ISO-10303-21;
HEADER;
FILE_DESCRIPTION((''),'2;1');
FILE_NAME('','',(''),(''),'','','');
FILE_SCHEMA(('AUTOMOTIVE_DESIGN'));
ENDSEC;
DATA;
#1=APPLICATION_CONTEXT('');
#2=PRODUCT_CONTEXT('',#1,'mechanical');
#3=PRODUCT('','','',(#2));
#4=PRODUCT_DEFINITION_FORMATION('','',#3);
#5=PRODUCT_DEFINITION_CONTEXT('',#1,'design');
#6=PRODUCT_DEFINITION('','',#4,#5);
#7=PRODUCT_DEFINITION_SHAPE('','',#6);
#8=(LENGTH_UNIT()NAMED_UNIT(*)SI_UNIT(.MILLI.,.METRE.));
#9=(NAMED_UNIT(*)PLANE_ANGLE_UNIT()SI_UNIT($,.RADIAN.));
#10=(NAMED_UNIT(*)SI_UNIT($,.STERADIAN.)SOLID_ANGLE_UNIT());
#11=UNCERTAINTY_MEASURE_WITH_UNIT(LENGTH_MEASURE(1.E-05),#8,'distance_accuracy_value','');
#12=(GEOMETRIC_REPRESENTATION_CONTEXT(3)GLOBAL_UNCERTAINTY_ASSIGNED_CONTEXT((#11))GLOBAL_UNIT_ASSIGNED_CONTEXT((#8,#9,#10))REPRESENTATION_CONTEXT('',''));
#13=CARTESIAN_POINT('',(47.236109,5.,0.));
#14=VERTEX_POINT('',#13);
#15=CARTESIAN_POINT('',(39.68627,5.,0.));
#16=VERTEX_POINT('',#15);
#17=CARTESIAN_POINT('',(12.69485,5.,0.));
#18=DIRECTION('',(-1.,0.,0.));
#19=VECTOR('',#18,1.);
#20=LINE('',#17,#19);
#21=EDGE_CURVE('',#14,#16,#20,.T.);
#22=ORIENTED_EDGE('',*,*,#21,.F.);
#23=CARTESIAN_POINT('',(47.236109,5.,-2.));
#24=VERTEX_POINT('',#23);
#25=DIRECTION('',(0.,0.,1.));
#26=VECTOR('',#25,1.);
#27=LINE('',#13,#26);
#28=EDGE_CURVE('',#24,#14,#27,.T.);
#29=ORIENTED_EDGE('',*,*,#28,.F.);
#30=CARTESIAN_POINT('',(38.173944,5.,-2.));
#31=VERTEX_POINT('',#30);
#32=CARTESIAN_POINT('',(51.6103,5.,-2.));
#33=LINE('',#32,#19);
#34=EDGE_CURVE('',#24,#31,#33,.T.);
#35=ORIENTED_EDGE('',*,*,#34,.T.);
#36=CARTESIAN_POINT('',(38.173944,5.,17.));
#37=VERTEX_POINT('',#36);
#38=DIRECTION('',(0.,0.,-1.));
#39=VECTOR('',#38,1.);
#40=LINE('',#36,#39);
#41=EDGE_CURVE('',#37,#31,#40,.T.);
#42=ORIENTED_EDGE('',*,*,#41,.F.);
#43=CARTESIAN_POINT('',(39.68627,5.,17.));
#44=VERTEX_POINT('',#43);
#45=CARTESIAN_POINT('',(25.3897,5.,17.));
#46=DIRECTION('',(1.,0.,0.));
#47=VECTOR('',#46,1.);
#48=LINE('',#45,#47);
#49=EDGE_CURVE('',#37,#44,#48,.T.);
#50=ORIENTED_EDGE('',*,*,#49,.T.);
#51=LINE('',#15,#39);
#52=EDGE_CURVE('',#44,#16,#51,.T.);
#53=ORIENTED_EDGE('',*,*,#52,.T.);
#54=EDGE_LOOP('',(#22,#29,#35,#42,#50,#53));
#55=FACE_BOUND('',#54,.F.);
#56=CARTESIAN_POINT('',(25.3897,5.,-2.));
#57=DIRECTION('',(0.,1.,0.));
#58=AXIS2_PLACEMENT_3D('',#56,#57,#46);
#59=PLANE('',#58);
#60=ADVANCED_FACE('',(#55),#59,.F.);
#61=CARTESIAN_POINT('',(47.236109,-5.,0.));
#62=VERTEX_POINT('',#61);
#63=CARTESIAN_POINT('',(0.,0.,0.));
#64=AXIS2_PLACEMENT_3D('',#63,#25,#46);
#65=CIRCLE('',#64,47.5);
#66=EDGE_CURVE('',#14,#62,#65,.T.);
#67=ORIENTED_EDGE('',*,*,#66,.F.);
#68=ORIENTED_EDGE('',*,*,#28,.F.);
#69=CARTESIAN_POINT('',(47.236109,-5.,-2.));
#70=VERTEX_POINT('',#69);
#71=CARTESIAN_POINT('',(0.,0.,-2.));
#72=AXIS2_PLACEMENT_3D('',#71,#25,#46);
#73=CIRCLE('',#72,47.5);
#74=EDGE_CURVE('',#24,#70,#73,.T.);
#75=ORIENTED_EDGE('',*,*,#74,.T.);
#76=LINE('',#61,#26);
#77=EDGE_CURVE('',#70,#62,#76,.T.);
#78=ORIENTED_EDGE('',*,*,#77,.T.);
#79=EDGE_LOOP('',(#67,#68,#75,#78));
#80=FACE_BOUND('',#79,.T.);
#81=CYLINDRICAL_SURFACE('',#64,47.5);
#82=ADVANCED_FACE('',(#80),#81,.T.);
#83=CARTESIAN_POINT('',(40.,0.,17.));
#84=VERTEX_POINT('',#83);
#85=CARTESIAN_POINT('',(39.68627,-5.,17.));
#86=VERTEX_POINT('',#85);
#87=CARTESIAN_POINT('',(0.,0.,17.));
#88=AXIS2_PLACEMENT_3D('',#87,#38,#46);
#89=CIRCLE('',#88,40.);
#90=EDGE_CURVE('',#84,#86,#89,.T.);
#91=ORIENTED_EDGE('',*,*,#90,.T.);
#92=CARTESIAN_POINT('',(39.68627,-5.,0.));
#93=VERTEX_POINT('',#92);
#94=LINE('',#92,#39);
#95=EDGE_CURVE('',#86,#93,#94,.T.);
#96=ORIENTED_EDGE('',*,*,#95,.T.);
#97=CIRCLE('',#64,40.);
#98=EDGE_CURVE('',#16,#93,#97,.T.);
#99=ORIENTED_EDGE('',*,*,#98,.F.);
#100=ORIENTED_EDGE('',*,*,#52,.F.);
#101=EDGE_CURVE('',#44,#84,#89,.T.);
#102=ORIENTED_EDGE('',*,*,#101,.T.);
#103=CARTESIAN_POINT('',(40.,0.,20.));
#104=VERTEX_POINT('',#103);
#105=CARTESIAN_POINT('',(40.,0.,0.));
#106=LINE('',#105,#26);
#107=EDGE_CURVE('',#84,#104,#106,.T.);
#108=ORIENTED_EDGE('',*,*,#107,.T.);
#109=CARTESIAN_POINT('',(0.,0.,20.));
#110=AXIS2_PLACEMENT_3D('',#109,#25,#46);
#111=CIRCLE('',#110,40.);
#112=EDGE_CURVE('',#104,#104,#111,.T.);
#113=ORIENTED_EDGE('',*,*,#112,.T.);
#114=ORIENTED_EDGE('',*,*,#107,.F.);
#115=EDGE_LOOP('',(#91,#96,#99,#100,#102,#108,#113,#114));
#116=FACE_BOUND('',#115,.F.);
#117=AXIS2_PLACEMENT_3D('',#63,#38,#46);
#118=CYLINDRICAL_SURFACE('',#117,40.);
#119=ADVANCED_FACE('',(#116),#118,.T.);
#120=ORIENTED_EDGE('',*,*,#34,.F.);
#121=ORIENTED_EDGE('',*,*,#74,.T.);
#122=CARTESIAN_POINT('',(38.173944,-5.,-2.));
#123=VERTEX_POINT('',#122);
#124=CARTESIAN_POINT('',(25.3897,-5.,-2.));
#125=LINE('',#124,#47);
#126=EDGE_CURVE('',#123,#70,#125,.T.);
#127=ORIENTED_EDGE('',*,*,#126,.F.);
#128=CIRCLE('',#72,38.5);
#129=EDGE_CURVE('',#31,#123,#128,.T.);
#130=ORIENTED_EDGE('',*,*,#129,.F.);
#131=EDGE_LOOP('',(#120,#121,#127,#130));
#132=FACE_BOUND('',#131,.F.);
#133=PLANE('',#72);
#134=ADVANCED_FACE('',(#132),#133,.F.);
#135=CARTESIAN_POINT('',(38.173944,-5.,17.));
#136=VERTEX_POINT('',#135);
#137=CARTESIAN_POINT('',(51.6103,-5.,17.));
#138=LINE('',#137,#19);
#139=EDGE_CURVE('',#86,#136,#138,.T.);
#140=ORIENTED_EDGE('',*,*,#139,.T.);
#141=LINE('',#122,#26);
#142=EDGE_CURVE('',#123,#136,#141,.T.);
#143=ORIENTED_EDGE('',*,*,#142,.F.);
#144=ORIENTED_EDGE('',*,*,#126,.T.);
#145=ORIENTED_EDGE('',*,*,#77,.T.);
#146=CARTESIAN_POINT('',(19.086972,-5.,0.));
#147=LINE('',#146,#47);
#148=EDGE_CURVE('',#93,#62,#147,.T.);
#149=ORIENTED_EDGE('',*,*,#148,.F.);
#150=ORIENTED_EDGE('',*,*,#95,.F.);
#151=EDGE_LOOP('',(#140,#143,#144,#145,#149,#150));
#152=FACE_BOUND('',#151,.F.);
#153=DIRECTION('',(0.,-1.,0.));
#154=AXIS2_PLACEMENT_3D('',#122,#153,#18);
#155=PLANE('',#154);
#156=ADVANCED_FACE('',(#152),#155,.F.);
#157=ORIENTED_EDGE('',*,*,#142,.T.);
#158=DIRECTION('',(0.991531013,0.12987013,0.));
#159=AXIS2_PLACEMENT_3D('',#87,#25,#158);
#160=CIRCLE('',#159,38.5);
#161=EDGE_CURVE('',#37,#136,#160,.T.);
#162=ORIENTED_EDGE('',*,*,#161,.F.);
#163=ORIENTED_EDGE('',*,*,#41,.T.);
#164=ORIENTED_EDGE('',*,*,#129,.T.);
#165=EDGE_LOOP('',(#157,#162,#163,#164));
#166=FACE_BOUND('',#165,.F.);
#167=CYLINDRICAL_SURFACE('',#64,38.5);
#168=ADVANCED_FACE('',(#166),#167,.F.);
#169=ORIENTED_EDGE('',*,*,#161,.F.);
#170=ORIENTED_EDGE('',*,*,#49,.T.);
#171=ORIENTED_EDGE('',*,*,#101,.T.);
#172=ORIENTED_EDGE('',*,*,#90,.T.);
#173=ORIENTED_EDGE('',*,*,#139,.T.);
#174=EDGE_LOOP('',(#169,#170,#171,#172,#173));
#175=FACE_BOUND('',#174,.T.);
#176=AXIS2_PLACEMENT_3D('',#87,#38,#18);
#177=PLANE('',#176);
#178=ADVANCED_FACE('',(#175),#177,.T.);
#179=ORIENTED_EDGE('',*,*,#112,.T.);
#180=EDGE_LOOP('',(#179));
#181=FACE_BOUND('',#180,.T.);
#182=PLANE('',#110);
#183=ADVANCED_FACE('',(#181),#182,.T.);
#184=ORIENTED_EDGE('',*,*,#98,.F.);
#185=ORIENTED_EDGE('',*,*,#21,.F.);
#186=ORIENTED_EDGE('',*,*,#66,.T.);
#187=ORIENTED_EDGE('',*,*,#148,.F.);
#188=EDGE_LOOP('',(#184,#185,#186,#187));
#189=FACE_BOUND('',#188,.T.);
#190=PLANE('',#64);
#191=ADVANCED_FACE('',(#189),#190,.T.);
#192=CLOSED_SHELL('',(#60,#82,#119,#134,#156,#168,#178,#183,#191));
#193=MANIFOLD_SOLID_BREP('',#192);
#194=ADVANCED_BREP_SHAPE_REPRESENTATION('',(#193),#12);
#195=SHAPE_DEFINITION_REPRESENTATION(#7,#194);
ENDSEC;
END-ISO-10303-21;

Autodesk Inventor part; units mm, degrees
ref_plane "YZ Plane" through (0, 0, 0) normal (1, 0, 0) x (0, 1, 0)
ref_plane "XZ Plane" through (0, 0, 0) normal (0, 1, 0) x (-1, 0, 0)
ref_plane "XY Plane" through (0, 0, 0) normal (0, 0, 1) x (1, 0, 0)
sketch "스케치1" plane through (0, 0, 0) normal (0, 0, 1) x (1, 0, 0)
  circle A0 centre (0, 0) radius 38.5
  circle A1 centre (0, 0) radius 40
  dimension "d0" = 77
  dimension "d1" = 80
extrude "돌출1" add sketch "스케치1" along normal blind 20 contours A0 | A1
sketch "스케치2" plane through (0, 0, 0) normal (0, 0, -1) x (-1, 0, 0)
  circle A0 centre (0, 0) radius 38.5
  circle A1 centre (0, 0) radius 38.5
  dimension "d4" = 77
  dimension "d7" = 77
extrude "돌출2" cut sketch "스케치2" against normal blind 17
sketch "스케치3" plane through (0, 0, 0) normal (0, 0, 1) x (1, 0, 0)
  circle A0 centre (0, 0) radius 38.5
  circle A1 centre (0, 0) radius 47.5
  dimension "d8" = 95
  dimension "d9" = 77
extrude "돌출3" add sketch "스케치3" against normal blind 2
sketch "스케치4" plane through (0, 0, -2) normal (0, 0, -1) x (-1, 0, 0)
  line L0 (-25.3897, 5) -> (-51.6103, 5)
  line L1 (-51.6103, 5) -> (-51.6103, -5)
  line L2 (-51.6103, -5) -> (-25.3897, -5)
  line L3 (-25.3897, -5) -> (-25.3897, 5)
  circle A0 centre (0, 0) radius 38.5 projected
  line L4 (-25.3897, 5) -> (-51.6103, -5) construction
  line L5 (-51.6103, 5) -> (-25.3897, -5) construction
  point P0 (-38.5, 0)
  dimension "d12" = 26.2206
  dimension "d13" = 10
extrude "돌출4" cut sketch "스케치4" against normal blind 19 contours L3 L2 A0 L0 | A0 L2 L1 L0 picked at (-29.7477, -0.557)
properties part number "라이다소켓"
